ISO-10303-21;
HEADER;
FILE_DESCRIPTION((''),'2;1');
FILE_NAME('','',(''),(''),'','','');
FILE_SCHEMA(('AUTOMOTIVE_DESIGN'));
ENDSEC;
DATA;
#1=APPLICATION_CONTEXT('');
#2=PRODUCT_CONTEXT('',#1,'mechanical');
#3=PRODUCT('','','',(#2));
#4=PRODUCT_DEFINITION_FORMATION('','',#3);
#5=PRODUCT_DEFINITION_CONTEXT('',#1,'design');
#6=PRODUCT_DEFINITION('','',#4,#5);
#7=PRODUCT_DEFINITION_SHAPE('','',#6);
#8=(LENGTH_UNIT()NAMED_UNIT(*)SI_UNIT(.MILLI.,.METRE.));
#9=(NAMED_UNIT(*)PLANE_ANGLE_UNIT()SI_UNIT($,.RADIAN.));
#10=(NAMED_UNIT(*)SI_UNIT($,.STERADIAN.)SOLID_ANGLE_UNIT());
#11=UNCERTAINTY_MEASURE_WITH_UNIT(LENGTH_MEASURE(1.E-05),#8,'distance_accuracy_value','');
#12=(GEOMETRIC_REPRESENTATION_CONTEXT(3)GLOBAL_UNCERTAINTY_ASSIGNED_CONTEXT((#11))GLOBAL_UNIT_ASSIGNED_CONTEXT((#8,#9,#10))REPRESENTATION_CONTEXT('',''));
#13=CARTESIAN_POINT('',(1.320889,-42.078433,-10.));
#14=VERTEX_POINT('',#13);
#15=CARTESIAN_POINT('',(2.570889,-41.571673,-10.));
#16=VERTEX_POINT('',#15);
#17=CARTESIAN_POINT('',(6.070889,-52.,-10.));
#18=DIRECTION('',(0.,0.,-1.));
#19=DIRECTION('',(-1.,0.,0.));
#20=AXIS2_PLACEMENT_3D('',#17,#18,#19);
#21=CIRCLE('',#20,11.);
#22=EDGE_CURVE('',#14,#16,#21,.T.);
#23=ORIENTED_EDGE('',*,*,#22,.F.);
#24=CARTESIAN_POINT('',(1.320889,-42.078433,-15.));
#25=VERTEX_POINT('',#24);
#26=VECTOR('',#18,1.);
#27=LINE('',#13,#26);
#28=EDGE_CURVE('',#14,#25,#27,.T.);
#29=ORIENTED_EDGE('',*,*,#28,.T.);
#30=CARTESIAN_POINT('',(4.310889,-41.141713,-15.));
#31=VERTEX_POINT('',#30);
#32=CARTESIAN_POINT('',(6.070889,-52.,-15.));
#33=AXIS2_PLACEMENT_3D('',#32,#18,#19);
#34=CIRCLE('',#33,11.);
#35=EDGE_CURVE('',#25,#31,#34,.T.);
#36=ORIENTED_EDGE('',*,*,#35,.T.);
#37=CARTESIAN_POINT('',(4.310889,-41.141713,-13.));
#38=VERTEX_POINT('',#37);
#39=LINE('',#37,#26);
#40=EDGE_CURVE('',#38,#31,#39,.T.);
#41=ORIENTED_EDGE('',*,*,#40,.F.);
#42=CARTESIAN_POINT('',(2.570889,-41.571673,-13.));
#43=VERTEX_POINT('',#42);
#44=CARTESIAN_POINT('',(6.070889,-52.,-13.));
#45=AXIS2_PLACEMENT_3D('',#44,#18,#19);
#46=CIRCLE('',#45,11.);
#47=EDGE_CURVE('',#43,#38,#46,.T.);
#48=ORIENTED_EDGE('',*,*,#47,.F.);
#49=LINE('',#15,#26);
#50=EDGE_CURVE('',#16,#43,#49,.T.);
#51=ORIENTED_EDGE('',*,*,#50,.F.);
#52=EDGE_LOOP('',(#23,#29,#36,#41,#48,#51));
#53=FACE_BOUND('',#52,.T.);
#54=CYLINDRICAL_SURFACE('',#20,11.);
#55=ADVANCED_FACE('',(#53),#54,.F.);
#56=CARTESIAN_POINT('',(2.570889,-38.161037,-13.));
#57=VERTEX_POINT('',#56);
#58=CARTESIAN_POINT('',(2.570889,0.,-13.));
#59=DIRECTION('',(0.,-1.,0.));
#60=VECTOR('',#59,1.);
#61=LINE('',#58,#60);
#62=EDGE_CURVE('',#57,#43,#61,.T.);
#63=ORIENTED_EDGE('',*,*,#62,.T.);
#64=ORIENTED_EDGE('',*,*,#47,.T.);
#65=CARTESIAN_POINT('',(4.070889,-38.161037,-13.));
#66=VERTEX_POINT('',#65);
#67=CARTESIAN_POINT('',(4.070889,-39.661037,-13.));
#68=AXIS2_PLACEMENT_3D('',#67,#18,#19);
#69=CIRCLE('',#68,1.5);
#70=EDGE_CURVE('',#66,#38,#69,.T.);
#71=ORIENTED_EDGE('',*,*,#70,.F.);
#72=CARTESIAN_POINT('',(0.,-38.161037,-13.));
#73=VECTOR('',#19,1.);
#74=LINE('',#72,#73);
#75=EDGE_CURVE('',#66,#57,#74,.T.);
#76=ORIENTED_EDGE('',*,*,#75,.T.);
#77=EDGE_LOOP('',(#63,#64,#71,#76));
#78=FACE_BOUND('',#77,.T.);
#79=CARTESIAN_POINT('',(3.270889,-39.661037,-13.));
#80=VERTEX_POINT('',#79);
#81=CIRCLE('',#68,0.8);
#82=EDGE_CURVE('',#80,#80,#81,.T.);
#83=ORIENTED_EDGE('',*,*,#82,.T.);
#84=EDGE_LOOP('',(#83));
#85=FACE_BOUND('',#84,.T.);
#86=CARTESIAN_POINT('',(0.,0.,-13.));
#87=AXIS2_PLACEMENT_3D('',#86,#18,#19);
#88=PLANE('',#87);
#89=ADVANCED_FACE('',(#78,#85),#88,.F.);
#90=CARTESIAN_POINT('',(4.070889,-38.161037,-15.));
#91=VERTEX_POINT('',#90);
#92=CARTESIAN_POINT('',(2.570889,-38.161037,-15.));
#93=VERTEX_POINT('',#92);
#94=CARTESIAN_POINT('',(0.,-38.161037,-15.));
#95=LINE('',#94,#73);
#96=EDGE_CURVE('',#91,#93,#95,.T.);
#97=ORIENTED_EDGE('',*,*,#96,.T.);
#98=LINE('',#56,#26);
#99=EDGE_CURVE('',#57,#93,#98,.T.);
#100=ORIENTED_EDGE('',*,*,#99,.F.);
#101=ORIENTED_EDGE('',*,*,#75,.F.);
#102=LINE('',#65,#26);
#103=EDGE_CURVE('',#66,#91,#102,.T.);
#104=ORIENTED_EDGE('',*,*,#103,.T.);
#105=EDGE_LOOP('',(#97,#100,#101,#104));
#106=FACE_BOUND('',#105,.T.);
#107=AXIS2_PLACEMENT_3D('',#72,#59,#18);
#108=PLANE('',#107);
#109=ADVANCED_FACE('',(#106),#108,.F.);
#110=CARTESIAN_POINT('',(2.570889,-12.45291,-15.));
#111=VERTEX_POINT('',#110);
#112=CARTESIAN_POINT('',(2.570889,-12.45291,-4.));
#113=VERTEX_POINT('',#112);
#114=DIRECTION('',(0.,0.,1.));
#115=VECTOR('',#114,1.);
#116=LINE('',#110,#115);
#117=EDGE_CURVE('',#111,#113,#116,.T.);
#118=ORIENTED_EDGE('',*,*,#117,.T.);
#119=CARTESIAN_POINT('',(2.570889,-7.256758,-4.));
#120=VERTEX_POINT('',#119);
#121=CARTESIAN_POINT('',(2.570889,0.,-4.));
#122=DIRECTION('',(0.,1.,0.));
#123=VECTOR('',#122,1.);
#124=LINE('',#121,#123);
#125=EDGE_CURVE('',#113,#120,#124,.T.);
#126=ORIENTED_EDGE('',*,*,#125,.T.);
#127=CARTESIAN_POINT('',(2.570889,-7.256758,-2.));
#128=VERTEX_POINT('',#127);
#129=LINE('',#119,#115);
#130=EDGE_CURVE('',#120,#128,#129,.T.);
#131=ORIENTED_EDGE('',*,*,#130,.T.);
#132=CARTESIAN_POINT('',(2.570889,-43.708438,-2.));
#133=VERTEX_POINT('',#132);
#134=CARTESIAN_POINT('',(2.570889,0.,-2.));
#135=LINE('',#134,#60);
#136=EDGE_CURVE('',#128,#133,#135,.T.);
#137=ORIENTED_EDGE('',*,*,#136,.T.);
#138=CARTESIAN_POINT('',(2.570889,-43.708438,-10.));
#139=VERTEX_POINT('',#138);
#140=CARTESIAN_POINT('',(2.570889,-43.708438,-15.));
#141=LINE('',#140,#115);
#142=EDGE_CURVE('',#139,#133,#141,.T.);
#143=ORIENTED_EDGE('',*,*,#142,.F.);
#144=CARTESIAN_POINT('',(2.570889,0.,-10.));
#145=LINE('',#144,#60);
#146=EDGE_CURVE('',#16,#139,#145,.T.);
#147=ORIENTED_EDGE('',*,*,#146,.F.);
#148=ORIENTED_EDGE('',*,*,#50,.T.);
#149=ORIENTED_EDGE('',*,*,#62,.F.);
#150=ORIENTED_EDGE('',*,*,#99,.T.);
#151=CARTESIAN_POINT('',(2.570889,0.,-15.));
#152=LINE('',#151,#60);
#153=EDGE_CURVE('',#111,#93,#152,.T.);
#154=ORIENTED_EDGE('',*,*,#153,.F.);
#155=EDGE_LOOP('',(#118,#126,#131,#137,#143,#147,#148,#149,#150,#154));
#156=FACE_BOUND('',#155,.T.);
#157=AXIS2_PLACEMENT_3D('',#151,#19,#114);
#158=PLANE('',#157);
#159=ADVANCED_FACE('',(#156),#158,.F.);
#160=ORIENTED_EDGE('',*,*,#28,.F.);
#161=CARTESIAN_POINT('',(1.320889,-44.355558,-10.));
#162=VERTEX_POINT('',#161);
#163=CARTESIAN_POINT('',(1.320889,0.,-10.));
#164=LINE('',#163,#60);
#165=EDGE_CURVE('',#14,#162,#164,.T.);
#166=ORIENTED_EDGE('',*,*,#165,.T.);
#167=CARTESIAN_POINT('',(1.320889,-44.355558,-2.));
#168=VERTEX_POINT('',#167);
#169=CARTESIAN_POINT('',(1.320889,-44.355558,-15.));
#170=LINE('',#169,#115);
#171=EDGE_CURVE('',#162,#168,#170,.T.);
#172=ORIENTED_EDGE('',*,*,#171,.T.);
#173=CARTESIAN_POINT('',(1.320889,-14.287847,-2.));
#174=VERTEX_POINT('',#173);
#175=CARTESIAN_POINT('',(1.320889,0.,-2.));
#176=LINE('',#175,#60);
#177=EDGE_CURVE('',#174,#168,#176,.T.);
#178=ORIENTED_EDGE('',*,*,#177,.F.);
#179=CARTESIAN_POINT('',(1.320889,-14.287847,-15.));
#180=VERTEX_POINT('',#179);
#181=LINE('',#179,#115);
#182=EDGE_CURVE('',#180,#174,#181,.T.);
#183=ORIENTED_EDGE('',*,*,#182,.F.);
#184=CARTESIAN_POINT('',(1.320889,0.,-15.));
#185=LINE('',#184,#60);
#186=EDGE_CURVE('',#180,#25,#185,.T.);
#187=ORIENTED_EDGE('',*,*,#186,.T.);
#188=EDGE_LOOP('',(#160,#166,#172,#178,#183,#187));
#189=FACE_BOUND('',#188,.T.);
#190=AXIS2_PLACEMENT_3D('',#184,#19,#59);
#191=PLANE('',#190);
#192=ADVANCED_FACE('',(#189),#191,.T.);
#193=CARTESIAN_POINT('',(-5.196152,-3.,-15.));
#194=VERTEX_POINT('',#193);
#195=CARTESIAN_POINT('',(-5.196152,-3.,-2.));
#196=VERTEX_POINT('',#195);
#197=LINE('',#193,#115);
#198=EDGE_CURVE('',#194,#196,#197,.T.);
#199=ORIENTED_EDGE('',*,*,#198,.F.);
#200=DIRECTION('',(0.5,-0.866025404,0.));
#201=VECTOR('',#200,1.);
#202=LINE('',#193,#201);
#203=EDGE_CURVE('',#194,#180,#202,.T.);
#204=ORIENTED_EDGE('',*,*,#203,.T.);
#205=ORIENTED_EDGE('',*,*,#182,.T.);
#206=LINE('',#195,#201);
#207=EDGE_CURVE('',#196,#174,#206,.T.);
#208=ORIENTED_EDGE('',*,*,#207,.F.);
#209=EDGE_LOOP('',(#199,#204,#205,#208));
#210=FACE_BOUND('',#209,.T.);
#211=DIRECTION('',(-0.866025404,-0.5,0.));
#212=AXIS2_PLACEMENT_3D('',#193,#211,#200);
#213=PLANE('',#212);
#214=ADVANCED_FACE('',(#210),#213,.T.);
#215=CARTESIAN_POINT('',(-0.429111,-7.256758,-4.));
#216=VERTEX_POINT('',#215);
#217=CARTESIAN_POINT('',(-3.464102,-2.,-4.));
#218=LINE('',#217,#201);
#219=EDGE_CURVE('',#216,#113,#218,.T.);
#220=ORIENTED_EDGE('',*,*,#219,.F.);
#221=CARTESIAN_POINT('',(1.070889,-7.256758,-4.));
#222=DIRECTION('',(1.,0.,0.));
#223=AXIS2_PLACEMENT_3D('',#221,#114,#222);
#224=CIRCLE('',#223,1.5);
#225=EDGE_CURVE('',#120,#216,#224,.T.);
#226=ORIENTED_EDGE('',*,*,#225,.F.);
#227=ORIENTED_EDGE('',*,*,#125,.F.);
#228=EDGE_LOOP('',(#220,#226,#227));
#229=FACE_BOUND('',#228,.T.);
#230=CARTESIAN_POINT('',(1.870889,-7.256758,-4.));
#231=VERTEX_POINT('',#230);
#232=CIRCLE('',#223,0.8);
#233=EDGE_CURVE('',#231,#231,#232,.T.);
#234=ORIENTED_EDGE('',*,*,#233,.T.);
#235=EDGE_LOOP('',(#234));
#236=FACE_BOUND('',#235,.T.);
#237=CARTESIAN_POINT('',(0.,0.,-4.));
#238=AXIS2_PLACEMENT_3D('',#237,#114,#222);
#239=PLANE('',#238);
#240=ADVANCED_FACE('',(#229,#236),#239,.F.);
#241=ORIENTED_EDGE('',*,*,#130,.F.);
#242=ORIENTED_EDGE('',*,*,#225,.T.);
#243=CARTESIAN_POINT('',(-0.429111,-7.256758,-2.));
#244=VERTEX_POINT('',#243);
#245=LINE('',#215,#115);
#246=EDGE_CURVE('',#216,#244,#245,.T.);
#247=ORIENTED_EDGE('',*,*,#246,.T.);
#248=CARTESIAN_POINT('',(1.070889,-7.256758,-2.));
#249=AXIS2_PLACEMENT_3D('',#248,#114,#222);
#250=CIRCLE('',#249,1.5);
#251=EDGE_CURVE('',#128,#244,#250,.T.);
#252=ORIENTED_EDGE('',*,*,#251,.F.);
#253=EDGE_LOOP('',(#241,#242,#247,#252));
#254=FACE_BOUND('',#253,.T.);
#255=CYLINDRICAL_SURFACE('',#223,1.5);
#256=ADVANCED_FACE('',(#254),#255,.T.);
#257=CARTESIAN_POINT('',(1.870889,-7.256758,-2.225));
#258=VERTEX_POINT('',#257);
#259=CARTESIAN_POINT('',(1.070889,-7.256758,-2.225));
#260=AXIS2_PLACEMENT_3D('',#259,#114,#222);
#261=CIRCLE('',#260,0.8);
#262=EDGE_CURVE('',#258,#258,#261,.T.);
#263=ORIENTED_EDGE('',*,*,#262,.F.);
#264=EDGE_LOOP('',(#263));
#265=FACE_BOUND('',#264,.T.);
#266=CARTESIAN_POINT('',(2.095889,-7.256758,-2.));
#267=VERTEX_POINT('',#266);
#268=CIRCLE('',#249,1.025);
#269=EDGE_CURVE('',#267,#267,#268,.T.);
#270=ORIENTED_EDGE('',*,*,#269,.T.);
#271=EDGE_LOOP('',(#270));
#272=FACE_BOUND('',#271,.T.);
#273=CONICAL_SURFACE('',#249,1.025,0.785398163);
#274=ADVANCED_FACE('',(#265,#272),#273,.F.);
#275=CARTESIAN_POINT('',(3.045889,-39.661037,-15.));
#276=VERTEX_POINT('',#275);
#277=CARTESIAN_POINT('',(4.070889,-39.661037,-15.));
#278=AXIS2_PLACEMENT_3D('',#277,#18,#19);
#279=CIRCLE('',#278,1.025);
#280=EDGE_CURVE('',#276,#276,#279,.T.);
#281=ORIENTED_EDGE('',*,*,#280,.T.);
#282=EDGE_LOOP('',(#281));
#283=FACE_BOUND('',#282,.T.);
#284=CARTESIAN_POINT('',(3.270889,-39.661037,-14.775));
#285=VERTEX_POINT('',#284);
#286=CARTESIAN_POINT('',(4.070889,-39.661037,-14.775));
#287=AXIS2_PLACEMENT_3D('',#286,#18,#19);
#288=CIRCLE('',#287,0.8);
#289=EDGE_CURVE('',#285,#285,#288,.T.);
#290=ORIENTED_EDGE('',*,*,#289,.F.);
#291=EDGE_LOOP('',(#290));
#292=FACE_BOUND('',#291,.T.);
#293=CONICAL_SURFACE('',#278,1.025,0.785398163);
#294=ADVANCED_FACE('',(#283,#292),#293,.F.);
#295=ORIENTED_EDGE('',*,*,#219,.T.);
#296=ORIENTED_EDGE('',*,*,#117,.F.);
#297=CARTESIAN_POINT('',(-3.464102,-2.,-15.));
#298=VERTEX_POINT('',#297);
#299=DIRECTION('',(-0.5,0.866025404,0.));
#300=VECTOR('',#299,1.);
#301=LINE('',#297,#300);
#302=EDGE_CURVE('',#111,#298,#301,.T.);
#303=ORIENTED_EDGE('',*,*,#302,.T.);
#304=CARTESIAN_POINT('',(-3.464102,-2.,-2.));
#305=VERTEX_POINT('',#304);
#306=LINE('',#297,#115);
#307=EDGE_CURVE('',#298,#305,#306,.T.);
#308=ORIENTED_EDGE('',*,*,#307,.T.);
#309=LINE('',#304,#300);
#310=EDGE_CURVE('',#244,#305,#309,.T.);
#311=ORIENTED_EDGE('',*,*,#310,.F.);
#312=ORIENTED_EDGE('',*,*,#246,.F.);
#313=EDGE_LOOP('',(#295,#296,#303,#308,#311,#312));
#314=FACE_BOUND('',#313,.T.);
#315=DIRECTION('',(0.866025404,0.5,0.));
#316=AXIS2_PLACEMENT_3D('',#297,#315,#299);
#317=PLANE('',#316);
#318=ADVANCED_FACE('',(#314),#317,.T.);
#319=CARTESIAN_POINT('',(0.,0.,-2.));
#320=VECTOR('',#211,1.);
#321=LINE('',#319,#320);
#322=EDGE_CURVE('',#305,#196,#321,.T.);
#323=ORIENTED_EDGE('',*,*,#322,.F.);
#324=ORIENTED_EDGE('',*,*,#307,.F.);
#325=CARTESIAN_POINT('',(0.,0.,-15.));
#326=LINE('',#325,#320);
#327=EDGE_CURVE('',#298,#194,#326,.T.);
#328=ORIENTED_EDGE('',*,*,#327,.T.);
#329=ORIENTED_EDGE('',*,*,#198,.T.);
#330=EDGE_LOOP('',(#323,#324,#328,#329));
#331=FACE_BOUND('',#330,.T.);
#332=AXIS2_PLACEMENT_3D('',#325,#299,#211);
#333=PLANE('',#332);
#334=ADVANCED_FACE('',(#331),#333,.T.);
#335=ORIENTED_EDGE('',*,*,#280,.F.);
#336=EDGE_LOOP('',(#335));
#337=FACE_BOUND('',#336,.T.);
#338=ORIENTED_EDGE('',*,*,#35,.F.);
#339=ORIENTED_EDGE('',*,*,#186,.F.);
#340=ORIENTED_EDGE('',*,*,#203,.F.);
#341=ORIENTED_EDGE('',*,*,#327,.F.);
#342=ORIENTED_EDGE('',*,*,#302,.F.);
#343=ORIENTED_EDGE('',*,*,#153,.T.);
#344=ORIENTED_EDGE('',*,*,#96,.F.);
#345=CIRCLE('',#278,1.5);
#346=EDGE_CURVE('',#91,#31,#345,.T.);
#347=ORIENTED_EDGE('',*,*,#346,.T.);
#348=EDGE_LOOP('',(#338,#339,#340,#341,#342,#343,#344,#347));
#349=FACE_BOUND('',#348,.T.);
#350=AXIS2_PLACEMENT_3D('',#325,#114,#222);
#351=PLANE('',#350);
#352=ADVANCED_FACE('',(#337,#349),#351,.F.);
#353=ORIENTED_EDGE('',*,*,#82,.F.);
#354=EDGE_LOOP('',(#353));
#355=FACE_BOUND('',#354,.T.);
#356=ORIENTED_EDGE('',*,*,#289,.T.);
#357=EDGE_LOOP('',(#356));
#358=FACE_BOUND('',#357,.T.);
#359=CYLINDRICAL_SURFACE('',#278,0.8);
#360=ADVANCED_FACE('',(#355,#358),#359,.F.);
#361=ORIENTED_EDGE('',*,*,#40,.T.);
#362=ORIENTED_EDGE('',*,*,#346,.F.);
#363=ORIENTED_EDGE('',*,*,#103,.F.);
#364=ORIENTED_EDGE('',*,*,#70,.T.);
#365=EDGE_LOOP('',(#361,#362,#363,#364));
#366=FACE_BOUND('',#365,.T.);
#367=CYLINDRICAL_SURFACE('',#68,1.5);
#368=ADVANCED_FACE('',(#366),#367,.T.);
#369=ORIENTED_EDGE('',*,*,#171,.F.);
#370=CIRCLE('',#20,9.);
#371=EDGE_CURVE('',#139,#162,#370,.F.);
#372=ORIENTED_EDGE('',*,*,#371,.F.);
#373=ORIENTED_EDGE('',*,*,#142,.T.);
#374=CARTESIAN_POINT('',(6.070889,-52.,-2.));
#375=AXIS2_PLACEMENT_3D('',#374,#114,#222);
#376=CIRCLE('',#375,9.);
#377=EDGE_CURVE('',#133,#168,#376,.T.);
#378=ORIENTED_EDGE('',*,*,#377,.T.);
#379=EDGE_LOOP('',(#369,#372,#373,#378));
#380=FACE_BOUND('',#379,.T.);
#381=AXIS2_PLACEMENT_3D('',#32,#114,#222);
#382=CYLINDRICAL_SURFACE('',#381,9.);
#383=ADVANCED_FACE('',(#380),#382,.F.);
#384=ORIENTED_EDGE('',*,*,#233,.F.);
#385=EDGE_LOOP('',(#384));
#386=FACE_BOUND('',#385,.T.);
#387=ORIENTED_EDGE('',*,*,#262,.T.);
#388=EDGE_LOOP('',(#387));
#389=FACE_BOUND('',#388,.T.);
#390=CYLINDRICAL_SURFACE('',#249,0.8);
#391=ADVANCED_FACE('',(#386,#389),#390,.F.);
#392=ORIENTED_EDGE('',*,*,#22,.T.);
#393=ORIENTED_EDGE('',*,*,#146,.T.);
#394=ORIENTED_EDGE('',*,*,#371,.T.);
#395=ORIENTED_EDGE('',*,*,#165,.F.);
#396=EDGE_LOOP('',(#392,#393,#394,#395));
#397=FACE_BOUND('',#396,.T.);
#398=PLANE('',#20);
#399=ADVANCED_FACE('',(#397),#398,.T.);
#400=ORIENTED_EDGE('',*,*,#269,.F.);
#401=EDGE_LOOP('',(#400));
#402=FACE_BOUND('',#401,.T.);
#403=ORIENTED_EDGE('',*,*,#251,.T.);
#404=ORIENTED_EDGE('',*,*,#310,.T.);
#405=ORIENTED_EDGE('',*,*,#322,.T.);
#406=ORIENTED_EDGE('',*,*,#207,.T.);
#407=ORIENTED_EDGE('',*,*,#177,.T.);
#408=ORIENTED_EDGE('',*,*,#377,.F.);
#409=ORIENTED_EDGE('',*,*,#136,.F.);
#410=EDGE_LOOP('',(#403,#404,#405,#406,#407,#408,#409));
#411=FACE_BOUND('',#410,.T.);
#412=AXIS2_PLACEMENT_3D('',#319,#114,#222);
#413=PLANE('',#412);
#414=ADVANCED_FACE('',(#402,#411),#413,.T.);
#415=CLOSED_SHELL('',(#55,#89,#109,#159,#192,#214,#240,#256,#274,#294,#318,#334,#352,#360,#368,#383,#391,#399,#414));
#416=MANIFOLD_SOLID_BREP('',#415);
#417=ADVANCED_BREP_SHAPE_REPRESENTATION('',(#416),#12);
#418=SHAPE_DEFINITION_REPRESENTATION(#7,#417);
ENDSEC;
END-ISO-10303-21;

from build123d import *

# Parameters (mm, degrees)
EXTRUDE_START                = -2
EXTRUDE_1_DEPTH              = 13
SKETCH_2_R                   = 11
CUT_EXTRUDE_1_DEPTH          = 5
SKETCH_3_R                   = 1.5
EXTRUDE_2_DEPTH              = 2
EXTRUDE_3_DEPTH              = 2
HOLE_WIZARD_M2_4_D           = 1.6
HOLE_WIZARD_M2_4_DEPTH       = 5.2
HOLE_WIZARD_M2_4_CSINK_D     = 2.05
HOLE_WIZARD_M2_4_CSINK_ANGLE = 90
HOLE_WIZARD_M2_4_TIP         = 0.480688495
HOLE_WIZARD_M2_5_D           = 1.6
HOLE_WIZARD_M2_5_DEPTH       = 5.2
HOLE_WIZARD_M2_5_CSINK_D     = 2.05
HOLE_WIZARD_M2_5_CSINK_ANGLE = 90
HOLE_WIZARD_M2_5_TIP         = 0.480688495


with BuildPart() as part:
    # 草图1 → 凸台-拉伸1 (new body)
    with BuildSketch(Plane.XY.offset(EXTRUDE_START)):
        with BuildLine():
            Line((2.570888862, -12.45291013), (-3.464101615, -2))
            Line((-3.464101615, -2), (-5.196152423, -3))
            Line((-5.196152423, -3), (1.320888862, -14.287846621))
            Line((1.320888862, -14.287846621), (1.320888862, -44.355557574))
            ThreePointArc((1.320888862, -44.355557574), (1.933218512, -44.007523283), (2.570888862, -43.708438024))
            Line((2.570888862, -43.708438024), (2.570888862, -12.45291013))
        make_face()
    extrude(amount=-EXTRUDE_1_DEPTH)

    # 草图2 → 切除-拉伸1 (cut)
    with BuildSketch(Plane(origin=(0, 0, -15), x_dir=(-1, 0, 0), z_dir=(0, 0, -1))):
        with Locations((-6.070888862, -52)):
            Circle(SKETCH_2_R)
    extrude(amount=-CUT_EXTRUDE_1_DEPTH, mode=Mode.SUBTRACT)

    # 草图3 → 凸台-拉伸2 (add)
    with BuildSketch(Plane(origin=(0, 0, -15), x_dir=(-1, 0, 0), z_dir=(0, 0, -1))):
        with Locations((-4.070888862, -39.661037321)):
            Circle(SKETCH_3_R)
        with BuildLine():
            Line((-2.570888862, -41.571673193), (-2.570888862, -39.661037321))
            ThreePointArc((-2.570888862, -39.661037321), (-3.098777733, -40.803403266), (-4.310888798, -41.141712853))
            ThreePointArc((-4.310888798, -41.141712853), (-3.432117057, -41.321194666), (-2.570888862, -41.571673193))
        make_face()
        with BuildLine():
            Line((-2.570888862, -39.661037321), (-2.570888862, -38.161037321))
            Line((-2.570888862, -38.161037321), (-4.070888862, -38.161037321))
            ThreePointArc((-4.070888862, -38.161037321), (-3.010228691, -38.600377149), (-2.570888862, -39.661037321))
        make_face()
    extrude(amount=-EXTRUDE_2_DEPTH)

    # 草图4 → 凸台-拉伸3 (add)
    with BuildSketch(Plane.XY.offset(-2)):
        with BuildLine():
            Line((0.320888862, -8.555795813), (2.570888862, -12.45291013))
            Line((2.570888862, -12.45291013), (2.570888862, -7.256757708))
            ThreePointArc((2.570888862, -7.256757708), (1.820888862, -8.555795813), (0.320888862, -8.555795813))
        make_face()
        with BuildLine():
            ThreePointArc((0.320888862, -8.555795813), (1.820888862, -8.555795813), (2.570888862, -7.256757708))
            Line((2.570888862, -7.256757708), (-0.429111138, -7.256757708))
            Line((-0.429111138, -7.256757708), (0.320888862, -8.555795813))
        make_face()
        with BuildLine():
            Line((-0.429111138, -7.256757708), (2.570888862, -7.256757708))
            ThreePointArc((2.570888862, -7.256757708), (1.070888862, -5.756757708), (-0.429111138, -7.256757708))
        make_face()
    extrude(amount=-EXTRUDE_3_DEPTH)

    # M2 螺纹孔4
    with Locations(Plane.XY.offset(-2)):
        with Locations((1.070888862, -7.256757708)):
            CounterSinkHole(HOLE_WIZARD_M2_4_D / 2, HOLE_WIZARD_M2_4_CSINK_D / 2, depth=HOLE_WIZARD_M2_4_DEPTH, counter_sink_angle=HOLE_WIZARD_M2_4_CSINK_ANGLE)
            with Locations((0, 0, -(HOLE_WIZARD_M2_4_DEPTH + HOLE_WIZARD_M2_4_TIP / 2))):  # 118° drill point
                Cone(0, HOLE_WIZARD_M2_4_D / 2, HOLE_WIZARD_M2_4_TIP, mode=Mode.SUBTRACT)

    # M2 螺纹孔5
    with Locations(Plane(origin=(0, 0, -15), x_dir=(-1, 0, 0), z_dir=(0, 0, -1))):
        with Locations((-4.070888862, -39.661037321)):
            CounterSinkHole(HOLE_WIZARD_M2_5_D / 2, HOLE_WIZARD_M2_5_CSINK_D / 2, depth=HOLE_WIZARD_M2_5_DEPTH, counter_sink_angle=HOLE_WIZARD_M2_5_CSINK_ANGLE)
            with Locations((0, 0, -(HOLE_WIZARD_M2_5_DEPTH + HOLE_WIZARD_M2_5_TIP / 2))):  # 118° drill point
                Cone(0, HOLE_WIZARD_M2_5_D / 2, HOLE_WIZARD_M2_5_TIP, mode=Mode.SUBTRACT)


solid = part.part
